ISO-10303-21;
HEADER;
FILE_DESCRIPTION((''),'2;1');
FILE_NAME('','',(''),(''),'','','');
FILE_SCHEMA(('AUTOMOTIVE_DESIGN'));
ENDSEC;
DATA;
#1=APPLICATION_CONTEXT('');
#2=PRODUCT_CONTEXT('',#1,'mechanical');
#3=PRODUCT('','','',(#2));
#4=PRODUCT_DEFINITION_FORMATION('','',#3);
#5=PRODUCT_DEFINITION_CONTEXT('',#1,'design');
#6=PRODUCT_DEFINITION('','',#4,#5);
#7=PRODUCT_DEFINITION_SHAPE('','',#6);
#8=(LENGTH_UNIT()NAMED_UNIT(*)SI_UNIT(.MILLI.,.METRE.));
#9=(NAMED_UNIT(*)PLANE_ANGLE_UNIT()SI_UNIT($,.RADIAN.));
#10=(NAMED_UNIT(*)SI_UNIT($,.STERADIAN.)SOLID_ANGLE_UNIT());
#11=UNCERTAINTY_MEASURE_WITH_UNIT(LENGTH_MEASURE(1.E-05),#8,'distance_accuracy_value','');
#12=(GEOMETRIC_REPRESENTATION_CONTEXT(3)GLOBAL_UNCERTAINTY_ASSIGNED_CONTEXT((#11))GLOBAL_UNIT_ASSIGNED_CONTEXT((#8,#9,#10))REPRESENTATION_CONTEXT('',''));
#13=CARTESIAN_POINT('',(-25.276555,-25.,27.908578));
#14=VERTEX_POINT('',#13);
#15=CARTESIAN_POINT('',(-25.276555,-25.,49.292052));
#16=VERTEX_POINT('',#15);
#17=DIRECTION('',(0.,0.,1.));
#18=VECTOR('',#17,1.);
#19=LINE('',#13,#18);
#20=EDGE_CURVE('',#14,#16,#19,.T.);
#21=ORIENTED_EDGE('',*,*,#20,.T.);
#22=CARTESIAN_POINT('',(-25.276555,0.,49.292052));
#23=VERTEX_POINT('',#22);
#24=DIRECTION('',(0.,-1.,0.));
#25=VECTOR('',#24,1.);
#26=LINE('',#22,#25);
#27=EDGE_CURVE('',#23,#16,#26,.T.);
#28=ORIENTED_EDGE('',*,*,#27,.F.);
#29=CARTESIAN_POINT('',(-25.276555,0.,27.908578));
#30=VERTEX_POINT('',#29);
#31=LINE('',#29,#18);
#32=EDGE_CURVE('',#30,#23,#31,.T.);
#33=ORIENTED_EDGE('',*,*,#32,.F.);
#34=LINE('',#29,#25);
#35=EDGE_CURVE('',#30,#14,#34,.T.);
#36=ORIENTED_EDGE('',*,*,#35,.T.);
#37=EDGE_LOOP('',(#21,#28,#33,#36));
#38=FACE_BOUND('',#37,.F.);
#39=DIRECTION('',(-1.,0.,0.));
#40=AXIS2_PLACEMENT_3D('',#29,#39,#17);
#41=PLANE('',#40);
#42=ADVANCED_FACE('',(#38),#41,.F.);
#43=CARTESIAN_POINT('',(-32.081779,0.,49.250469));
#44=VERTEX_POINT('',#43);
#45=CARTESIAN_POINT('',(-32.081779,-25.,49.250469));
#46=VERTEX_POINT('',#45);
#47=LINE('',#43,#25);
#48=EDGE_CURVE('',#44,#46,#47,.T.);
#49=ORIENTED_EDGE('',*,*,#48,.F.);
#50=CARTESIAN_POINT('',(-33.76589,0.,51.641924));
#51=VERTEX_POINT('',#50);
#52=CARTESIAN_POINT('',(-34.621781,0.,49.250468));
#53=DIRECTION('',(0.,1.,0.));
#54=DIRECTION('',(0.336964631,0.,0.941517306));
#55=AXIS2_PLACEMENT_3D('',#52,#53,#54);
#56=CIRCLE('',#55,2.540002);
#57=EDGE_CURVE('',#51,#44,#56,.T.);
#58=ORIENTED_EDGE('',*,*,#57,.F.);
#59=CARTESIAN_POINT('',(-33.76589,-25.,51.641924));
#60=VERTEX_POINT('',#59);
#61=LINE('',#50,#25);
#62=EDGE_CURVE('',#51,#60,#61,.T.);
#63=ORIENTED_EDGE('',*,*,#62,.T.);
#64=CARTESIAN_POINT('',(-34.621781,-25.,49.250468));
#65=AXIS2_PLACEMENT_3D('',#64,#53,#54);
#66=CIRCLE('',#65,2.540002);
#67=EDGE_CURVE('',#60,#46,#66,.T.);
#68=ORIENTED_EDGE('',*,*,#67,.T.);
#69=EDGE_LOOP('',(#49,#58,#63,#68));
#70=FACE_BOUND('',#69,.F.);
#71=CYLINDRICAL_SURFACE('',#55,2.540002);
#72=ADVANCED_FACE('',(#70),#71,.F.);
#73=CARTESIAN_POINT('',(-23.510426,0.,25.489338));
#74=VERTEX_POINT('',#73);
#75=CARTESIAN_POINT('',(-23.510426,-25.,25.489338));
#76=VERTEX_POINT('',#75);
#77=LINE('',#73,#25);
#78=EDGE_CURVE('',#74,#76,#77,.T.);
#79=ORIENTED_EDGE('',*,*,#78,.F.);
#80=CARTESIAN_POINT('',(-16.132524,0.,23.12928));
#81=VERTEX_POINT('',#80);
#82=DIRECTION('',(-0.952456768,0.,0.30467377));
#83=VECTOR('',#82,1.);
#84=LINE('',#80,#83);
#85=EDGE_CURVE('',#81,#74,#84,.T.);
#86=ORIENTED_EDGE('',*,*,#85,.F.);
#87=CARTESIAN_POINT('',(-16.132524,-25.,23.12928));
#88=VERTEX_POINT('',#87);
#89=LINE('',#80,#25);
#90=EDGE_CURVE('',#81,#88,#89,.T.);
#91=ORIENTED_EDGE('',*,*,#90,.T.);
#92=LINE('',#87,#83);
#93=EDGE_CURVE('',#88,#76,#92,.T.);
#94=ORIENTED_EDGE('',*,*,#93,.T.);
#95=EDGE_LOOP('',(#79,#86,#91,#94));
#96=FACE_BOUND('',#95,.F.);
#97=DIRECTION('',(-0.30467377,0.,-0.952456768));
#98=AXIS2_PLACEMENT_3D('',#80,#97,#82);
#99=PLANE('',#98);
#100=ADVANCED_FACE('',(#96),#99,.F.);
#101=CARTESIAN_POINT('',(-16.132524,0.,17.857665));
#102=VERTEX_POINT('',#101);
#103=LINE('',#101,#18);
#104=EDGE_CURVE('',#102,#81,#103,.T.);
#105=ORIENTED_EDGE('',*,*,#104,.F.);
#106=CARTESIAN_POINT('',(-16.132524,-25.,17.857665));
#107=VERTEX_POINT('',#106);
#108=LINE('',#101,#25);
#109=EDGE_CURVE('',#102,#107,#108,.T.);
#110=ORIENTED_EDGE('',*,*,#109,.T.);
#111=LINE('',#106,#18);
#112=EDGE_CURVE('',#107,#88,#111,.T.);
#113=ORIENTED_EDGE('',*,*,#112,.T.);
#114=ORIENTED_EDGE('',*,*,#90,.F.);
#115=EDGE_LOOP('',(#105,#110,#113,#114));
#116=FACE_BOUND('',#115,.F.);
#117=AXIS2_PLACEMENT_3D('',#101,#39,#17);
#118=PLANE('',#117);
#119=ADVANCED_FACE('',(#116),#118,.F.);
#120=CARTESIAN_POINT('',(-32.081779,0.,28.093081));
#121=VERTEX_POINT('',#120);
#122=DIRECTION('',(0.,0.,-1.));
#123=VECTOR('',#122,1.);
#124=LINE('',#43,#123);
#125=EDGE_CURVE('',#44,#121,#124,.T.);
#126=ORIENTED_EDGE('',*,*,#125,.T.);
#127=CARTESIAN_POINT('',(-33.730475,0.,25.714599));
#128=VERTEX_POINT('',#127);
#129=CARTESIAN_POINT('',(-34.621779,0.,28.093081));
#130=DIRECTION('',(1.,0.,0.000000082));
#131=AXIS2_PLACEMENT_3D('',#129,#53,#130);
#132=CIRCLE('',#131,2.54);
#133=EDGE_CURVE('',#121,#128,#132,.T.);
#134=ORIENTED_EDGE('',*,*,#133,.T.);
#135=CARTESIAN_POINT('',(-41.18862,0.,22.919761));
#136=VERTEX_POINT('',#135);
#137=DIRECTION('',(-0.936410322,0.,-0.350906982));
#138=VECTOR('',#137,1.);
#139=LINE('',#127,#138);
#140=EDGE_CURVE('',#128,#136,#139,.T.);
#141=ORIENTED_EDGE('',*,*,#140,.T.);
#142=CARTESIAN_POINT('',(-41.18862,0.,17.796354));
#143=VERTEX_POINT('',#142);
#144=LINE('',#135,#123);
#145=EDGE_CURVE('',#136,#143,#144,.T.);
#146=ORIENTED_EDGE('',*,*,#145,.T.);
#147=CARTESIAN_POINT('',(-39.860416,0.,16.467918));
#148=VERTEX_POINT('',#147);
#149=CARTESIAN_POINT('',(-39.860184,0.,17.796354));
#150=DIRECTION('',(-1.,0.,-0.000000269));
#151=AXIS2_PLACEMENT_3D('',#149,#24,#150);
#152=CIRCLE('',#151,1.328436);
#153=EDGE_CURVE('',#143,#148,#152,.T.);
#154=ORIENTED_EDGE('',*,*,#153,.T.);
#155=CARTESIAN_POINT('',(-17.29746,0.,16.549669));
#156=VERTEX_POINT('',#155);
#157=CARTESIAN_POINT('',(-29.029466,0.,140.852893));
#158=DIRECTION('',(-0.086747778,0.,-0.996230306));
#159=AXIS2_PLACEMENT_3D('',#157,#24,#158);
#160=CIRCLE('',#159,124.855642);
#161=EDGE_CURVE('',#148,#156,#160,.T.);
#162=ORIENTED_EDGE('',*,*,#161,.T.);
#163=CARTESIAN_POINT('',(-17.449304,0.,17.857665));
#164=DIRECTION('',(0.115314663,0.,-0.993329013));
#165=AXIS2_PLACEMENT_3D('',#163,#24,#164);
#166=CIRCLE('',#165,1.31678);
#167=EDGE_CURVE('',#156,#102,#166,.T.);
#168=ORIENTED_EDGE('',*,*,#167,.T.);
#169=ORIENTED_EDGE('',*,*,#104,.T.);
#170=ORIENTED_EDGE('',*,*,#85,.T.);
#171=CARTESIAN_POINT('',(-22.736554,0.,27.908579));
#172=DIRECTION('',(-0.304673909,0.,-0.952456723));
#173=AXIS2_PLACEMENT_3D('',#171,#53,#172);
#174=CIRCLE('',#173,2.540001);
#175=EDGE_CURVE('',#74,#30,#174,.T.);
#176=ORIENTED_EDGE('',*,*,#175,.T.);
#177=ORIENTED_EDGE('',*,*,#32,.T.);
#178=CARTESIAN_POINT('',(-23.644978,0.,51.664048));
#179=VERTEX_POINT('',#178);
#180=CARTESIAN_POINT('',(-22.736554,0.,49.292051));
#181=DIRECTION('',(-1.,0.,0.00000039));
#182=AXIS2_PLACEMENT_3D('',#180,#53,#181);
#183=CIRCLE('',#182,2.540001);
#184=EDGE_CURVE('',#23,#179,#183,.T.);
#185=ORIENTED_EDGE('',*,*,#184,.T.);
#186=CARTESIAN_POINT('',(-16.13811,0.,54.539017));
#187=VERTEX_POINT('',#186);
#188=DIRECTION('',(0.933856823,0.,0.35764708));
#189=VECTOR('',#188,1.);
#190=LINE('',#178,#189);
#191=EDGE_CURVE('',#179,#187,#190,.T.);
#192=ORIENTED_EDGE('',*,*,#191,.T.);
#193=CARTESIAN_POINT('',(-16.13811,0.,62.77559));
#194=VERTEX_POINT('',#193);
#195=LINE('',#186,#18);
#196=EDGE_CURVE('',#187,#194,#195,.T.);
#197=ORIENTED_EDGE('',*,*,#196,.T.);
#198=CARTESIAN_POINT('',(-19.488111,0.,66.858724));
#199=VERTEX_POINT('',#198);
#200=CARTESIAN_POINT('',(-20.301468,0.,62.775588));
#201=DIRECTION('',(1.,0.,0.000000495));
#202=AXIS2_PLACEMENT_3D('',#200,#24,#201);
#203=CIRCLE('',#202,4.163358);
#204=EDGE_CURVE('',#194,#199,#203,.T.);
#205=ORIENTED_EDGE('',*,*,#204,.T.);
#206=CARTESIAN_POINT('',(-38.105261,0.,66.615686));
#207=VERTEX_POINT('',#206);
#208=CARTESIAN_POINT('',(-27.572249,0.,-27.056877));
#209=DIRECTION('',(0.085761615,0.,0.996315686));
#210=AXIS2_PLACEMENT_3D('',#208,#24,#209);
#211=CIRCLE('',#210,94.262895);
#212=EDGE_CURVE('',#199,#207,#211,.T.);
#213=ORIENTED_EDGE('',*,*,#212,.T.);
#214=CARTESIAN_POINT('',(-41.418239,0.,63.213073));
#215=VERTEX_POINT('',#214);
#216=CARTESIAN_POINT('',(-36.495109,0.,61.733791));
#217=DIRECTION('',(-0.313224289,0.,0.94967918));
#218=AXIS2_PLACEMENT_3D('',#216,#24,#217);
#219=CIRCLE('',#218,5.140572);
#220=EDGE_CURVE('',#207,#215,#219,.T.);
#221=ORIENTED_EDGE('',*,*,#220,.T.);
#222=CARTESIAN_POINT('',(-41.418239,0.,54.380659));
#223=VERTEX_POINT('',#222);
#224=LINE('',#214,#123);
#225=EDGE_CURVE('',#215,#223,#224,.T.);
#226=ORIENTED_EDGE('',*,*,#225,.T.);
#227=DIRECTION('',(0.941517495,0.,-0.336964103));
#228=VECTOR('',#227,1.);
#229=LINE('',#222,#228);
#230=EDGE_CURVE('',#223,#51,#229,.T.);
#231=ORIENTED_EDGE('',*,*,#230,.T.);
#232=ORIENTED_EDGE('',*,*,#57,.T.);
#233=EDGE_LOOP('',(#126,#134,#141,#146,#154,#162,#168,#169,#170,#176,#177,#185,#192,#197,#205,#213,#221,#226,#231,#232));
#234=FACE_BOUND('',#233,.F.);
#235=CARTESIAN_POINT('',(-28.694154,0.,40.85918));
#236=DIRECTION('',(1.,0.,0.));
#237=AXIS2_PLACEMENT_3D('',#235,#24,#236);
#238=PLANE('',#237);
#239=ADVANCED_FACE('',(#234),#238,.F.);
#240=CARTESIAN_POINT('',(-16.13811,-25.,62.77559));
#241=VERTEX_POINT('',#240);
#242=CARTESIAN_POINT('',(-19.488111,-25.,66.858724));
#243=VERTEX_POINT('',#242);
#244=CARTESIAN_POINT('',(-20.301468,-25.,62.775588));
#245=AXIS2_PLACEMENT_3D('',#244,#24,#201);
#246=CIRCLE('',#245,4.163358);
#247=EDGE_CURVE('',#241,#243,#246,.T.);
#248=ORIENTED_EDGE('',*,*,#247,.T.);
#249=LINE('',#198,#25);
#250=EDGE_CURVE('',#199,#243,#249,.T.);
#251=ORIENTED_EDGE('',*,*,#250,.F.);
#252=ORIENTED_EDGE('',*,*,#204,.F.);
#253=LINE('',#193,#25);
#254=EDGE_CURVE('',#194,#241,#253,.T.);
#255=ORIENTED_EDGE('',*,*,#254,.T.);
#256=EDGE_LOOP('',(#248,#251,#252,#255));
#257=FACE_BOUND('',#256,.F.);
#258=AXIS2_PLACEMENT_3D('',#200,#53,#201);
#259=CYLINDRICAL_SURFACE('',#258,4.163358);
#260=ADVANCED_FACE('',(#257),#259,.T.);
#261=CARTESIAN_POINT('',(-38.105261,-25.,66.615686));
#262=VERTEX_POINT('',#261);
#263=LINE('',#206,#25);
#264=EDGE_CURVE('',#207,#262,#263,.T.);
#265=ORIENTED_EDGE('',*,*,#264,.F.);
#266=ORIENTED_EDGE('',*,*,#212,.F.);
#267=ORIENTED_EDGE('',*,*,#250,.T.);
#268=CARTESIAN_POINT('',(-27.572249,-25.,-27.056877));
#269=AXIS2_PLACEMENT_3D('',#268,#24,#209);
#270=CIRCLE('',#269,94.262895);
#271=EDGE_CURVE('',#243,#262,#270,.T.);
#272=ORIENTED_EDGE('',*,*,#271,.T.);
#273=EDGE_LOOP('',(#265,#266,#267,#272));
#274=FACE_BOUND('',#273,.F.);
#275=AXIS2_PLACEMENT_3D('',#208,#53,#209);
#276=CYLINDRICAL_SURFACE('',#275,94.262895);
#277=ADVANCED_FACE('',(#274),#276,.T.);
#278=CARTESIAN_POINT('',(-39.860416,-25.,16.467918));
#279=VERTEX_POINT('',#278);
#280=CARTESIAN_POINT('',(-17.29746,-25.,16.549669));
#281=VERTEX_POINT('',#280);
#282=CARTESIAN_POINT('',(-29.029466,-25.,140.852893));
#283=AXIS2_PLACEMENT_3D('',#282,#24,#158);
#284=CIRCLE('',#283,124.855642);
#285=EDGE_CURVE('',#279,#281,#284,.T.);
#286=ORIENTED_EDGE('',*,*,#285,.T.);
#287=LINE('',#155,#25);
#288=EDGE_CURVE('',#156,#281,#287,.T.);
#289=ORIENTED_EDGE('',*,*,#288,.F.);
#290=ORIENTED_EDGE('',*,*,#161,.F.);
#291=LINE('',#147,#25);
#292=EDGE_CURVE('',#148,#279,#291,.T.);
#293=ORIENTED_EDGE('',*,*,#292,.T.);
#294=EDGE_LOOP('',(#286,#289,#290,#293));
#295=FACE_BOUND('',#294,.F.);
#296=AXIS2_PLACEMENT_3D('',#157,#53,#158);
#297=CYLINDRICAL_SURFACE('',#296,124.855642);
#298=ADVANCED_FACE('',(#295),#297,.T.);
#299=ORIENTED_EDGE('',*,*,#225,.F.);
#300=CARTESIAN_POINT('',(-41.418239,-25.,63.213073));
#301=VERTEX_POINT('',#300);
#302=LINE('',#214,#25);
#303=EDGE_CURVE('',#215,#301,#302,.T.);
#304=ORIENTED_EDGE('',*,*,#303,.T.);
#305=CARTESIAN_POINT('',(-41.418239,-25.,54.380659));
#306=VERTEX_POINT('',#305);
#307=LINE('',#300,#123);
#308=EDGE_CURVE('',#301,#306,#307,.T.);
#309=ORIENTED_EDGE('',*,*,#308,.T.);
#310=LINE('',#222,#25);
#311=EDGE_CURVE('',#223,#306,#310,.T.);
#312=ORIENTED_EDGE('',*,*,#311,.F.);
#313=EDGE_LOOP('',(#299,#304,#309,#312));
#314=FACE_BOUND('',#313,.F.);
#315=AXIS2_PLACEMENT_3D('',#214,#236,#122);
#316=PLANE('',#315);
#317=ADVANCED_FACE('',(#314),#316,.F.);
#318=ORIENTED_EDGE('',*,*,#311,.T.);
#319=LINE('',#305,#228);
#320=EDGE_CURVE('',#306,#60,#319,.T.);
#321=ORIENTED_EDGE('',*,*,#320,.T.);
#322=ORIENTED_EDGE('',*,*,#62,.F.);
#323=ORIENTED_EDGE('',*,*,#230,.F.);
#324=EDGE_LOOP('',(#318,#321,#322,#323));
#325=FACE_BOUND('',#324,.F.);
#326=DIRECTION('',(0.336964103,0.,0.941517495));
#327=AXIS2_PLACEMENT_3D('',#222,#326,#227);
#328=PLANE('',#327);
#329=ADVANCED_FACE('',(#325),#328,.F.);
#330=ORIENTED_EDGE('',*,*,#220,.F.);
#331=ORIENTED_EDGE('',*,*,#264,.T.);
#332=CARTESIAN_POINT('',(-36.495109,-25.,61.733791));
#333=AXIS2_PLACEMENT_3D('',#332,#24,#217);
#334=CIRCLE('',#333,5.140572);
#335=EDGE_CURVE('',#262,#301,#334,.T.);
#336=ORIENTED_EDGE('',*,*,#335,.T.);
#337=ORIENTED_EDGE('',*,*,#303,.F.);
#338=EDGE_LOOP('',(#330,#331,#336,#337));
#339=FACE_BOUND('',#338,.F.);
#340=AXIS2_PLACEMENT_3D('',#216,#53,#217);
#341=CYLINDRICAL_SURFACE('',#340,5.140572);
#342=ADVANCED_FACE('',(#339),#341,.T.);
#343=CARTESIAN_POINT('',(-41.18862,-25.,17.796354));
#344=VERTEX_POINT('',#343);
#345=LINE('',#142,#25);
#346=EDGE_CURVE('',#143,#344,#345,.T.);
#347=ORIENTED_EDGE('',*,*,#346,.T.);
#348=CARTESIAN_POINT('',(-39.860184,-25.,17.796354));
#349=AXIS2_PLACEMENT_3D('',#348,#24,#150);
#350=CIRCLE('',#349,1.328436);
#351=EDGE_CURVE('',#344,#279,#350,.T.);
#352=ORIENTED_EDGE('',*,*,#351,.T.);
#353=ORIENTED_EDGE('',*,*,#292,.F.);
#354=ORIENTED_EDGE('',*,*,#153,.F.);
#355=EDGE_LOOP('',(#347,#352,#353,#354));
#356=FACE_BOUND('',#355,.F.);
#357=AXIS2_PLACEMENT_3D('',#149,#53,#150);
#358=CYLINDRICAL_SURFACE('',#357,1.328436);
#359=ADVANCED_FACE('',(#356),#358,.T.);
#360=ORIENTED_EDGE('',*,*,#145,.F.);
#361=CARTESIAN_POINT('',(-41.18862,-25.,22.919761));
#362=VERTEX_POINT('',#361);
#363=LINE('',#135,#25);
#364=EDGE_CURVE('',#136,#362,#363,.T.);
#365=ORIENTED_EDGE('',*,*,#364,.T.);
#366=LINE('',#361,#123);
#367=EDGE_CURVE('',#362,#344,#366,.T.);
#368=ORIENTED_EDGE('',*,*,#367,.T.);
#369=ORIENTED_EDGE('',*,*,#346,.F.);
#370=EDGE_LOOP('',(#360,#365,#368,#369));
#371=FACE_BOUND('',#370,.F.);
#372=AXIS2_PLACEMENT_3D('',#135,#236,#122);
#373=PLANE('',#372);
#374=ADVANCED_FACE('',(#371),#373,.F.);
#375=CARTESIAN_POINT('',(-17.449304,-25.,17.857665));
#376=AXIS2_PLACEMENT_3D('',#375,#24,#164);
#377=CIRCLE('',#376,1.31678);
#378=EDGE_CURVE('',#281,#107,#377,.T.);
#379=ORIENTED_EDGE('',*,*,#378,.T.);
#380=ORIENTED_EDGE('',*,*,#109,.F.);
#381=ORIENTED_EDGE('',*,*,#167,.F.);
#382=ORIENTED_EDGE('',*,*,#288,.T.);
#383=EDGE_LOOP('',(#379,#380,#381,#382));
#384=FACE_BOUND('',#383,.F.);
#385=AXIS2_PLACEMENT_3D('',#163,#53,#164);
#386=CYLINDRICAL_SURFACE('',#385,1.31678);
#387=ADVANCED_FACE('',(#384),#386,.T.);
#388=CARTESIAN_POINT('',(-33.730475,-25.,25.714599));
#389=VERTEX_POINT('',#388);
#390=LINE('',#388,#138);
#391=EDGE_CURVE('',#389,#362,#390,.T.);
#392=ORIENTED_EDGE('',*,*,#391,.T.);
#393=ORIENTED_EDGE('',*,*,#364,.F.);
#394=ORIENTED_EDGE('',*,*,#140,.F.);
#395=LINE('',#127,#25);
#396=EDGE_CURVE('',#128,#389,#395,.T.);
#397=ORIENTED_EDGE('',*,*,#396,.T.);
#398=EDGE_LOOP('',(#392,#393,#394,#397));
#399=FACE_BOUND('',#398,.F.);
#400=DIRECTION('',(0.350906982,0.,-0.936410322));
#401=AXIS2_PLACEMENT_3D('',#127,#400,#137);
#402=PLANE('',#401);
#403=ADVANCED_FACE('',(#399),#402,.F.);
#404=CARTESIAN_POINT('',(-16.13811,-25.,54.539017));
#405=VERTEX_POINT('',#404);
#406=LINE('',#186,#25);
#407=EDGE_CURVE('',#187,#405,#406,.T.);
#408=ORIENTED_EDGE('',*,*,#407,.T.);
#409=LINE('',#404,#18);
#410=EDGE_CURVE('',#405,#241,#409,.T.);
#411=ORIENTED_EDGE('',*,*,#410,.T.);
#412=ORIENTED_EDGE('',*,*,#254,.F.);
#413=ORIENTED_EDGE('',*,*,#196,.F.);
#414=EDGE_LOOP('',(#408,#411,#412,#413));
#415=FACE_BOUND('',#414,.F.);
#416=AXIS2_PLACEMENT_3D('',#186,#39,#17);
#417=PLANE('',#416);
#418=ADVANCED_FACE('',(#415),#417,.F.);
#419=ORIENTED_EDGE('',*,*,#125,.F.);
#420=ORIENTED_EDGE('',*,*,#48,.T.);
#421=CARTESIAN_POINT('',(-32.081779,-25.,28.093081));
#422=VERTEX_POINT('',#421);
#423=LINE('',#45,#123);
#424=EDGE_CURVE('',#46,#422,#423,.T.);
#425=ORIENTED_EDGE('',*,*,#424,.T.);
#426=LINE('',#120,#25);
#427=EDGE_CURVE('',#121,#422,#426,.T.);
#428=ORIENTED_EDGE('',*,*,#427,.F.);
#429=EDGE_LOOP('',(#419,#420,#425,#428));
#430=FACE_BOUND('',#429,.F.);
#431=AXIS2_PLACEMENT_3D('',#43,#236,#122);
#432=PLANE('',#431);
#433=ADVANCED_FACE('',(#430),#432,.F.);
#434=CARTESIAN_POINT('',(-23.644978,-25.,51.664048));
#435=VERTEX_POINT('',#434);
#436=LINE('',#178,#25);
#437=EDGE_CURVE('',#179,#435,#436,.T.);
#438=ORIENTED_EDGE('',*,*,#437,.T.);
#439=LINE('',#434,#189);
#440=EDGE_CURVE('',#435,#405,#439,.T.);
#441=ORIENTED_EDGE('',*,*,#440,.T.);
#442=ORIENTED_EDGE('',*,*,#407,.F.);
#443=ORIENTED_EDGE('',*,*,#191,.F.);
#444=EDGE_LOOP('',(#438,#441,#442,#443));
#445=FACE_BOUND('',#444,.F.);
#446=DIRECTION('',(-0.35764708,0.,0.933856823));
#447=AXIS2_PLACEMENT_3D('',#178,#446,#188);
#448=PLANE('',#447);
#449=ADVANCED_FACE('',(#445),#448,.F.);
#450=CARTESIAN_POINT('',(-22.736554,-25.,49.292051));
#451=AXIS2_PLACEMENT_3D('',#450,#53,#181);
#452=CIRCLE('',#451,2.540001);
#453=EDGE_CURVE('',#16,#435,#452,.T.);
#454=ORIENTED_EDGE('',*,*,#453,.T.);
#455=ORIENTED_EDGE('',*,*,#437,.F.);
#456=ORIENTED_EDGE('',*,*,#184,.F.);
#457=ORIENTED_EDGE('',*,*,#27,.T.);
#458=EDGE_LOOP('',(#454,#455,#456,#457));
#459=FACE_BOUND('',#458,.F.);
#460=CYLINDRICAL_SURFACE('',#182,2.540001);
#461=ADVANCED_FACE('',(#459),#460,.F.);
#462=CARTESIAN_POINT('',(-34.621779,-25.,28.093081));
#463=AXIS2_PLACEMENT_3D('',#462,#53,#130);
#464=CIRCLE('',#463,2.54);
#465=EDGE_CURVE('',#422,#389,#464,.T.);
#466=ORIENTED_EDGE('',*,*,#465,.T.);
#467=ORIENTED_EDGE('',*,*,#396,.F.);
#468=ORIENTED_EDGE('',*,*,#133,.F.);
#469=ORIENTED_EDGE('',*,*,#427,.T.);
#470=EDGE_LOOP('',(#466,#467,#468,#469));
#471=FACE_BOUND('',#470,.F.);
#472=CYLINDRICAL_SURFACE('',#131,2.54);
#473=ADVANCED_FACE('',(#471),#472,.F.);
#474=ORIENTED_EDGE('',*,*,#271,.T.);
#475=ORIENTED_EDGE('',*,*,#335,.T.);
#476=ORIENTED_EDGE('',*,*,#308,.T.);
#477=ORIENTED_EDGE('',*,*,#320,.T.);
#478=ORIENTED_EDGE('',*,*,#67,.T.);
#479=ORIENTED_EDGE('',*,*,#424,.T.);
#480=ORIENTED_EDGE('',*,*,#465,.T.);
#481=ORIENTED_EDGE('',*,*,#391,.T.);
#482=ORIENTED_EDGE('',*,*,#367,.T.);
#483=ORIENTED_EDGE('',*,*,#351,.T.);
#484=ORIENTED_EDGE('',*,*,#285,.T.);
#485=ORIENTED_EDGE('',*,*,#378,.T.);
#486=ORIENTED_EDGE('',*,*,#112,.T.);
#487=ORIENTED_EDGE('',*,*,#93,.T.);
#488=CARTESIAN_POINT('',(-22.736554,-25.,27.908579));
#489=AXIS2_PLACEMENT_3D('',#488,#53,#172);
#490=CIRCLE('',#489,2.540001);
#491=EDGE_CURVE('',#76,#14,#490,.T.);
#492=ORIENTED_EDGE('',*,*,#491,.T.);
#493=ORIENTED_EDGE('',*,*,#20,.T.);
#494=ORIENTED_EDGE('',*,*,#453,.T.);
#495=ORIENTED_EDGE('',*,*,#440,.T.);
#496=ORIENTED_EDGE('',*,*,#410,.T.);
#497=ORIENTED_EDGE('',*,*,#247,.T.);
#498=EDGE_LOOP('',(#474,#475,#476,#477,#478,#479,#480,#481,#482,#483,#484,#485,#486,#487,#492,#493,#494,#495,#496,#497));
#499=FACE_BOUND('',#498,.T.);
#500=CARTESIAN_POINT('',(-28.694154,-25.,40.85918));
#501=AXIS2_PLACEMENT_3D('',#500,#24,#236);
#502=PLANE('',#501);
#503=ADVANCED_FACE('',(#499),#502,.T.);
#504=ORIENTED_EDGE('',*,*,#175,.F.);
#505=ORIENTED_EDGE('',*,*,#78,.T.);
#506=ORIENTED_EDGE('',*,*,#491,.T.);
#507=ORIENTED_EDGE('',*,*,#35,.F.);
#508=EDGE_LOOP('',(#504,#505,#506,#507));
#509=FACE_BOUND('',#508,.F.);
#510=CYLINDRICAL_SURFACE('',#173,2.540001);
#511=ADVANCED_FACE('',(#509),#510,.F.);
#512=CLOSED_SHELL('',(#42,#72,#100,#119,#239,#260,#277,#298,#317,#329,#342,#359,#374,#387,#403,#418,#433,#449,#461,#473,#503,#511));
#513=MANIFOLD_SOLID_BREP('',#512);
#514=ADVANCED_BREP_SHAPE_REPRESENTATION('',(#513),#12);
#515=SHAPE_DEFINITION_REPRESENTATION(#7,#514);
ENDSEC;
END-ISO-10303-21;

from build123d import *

# Parameters (mm, degrees)
F1_DEPTH = 25


with BuildPart() as f1:
    # F0 (on Front) → F1 (new body)
    with BuildSketch(Plane.XZ):
        with BuildLine():
            ThreePointArc((-33.76589, 51.641924), (-32.545056, 50.71294), (-32.081779, 49.250469))
            Line((-32.081779, 49.250469), (-32.081779, 28.093081))
            ThreePointArc((-32.081779, 28.093081), (-32.534255, 26.646069), (-33.730475, 25.714599))
            Line((-33.730475, 25.714599), (-41.18862, 22.919761))
            Line((-41.18862, 22.919761), (-41.18862, 17.796354))
            ThreePointArc((-41.18862, 17.796354), (-40.799612, 16.85709), (-39.860416, 16.467918))
            ThreePointArc((-39.860416, 16.467918), (-28.577087, 15.99807), (-17.29746, 16.549669))
            ThreePointArc((-17.29746, 16.549669), (-16.465979, 16.98189), (-16.132524, 17.857665))
            Line((-16.132524, 17.857665), (-16.132524, 23.12928))
            Line((-16.132524, 23.12928), (-23.510426, 25.489338))
            ThreePointArc((-23.510426, 25.489338), (-24.788046, 26.410919), (-25.276555, 27.908578))
            Line((-25.276555, 27.908578), (-25.276555, 49.292052))
            ThreePointArc((-25.276555, 49.292052), (-24.82928, 50.731531), (-23.644978, 51.664048))
            Line((-23.644978, 51.664048), (-16.13811, 54.539017))
            Line((-16.13811, 54.539017), (-16.13811, 62.77559))
            ThreePointArc((-16.13811, 62.77559), (-17.082785, 65.416351), (-19.488111, 66.858724))
            ThreePointArc((-19.488111, 66.858724), (-28.802701, 67.197987), (-38.105261, 66.615686))
            ThreePointArc((-38.105261, 66.615686), (-40.178231, 65.319889), (-41.418239, 63.213073))
            Line((-41.418239, 63.213073), (-41.418239, 54.380659))
            Line((-41.418239, 54.380659), (-33.76589, 51.641924))
        make_face()
    extrude(amount=F1_DEPTH)


solid = f1.part
